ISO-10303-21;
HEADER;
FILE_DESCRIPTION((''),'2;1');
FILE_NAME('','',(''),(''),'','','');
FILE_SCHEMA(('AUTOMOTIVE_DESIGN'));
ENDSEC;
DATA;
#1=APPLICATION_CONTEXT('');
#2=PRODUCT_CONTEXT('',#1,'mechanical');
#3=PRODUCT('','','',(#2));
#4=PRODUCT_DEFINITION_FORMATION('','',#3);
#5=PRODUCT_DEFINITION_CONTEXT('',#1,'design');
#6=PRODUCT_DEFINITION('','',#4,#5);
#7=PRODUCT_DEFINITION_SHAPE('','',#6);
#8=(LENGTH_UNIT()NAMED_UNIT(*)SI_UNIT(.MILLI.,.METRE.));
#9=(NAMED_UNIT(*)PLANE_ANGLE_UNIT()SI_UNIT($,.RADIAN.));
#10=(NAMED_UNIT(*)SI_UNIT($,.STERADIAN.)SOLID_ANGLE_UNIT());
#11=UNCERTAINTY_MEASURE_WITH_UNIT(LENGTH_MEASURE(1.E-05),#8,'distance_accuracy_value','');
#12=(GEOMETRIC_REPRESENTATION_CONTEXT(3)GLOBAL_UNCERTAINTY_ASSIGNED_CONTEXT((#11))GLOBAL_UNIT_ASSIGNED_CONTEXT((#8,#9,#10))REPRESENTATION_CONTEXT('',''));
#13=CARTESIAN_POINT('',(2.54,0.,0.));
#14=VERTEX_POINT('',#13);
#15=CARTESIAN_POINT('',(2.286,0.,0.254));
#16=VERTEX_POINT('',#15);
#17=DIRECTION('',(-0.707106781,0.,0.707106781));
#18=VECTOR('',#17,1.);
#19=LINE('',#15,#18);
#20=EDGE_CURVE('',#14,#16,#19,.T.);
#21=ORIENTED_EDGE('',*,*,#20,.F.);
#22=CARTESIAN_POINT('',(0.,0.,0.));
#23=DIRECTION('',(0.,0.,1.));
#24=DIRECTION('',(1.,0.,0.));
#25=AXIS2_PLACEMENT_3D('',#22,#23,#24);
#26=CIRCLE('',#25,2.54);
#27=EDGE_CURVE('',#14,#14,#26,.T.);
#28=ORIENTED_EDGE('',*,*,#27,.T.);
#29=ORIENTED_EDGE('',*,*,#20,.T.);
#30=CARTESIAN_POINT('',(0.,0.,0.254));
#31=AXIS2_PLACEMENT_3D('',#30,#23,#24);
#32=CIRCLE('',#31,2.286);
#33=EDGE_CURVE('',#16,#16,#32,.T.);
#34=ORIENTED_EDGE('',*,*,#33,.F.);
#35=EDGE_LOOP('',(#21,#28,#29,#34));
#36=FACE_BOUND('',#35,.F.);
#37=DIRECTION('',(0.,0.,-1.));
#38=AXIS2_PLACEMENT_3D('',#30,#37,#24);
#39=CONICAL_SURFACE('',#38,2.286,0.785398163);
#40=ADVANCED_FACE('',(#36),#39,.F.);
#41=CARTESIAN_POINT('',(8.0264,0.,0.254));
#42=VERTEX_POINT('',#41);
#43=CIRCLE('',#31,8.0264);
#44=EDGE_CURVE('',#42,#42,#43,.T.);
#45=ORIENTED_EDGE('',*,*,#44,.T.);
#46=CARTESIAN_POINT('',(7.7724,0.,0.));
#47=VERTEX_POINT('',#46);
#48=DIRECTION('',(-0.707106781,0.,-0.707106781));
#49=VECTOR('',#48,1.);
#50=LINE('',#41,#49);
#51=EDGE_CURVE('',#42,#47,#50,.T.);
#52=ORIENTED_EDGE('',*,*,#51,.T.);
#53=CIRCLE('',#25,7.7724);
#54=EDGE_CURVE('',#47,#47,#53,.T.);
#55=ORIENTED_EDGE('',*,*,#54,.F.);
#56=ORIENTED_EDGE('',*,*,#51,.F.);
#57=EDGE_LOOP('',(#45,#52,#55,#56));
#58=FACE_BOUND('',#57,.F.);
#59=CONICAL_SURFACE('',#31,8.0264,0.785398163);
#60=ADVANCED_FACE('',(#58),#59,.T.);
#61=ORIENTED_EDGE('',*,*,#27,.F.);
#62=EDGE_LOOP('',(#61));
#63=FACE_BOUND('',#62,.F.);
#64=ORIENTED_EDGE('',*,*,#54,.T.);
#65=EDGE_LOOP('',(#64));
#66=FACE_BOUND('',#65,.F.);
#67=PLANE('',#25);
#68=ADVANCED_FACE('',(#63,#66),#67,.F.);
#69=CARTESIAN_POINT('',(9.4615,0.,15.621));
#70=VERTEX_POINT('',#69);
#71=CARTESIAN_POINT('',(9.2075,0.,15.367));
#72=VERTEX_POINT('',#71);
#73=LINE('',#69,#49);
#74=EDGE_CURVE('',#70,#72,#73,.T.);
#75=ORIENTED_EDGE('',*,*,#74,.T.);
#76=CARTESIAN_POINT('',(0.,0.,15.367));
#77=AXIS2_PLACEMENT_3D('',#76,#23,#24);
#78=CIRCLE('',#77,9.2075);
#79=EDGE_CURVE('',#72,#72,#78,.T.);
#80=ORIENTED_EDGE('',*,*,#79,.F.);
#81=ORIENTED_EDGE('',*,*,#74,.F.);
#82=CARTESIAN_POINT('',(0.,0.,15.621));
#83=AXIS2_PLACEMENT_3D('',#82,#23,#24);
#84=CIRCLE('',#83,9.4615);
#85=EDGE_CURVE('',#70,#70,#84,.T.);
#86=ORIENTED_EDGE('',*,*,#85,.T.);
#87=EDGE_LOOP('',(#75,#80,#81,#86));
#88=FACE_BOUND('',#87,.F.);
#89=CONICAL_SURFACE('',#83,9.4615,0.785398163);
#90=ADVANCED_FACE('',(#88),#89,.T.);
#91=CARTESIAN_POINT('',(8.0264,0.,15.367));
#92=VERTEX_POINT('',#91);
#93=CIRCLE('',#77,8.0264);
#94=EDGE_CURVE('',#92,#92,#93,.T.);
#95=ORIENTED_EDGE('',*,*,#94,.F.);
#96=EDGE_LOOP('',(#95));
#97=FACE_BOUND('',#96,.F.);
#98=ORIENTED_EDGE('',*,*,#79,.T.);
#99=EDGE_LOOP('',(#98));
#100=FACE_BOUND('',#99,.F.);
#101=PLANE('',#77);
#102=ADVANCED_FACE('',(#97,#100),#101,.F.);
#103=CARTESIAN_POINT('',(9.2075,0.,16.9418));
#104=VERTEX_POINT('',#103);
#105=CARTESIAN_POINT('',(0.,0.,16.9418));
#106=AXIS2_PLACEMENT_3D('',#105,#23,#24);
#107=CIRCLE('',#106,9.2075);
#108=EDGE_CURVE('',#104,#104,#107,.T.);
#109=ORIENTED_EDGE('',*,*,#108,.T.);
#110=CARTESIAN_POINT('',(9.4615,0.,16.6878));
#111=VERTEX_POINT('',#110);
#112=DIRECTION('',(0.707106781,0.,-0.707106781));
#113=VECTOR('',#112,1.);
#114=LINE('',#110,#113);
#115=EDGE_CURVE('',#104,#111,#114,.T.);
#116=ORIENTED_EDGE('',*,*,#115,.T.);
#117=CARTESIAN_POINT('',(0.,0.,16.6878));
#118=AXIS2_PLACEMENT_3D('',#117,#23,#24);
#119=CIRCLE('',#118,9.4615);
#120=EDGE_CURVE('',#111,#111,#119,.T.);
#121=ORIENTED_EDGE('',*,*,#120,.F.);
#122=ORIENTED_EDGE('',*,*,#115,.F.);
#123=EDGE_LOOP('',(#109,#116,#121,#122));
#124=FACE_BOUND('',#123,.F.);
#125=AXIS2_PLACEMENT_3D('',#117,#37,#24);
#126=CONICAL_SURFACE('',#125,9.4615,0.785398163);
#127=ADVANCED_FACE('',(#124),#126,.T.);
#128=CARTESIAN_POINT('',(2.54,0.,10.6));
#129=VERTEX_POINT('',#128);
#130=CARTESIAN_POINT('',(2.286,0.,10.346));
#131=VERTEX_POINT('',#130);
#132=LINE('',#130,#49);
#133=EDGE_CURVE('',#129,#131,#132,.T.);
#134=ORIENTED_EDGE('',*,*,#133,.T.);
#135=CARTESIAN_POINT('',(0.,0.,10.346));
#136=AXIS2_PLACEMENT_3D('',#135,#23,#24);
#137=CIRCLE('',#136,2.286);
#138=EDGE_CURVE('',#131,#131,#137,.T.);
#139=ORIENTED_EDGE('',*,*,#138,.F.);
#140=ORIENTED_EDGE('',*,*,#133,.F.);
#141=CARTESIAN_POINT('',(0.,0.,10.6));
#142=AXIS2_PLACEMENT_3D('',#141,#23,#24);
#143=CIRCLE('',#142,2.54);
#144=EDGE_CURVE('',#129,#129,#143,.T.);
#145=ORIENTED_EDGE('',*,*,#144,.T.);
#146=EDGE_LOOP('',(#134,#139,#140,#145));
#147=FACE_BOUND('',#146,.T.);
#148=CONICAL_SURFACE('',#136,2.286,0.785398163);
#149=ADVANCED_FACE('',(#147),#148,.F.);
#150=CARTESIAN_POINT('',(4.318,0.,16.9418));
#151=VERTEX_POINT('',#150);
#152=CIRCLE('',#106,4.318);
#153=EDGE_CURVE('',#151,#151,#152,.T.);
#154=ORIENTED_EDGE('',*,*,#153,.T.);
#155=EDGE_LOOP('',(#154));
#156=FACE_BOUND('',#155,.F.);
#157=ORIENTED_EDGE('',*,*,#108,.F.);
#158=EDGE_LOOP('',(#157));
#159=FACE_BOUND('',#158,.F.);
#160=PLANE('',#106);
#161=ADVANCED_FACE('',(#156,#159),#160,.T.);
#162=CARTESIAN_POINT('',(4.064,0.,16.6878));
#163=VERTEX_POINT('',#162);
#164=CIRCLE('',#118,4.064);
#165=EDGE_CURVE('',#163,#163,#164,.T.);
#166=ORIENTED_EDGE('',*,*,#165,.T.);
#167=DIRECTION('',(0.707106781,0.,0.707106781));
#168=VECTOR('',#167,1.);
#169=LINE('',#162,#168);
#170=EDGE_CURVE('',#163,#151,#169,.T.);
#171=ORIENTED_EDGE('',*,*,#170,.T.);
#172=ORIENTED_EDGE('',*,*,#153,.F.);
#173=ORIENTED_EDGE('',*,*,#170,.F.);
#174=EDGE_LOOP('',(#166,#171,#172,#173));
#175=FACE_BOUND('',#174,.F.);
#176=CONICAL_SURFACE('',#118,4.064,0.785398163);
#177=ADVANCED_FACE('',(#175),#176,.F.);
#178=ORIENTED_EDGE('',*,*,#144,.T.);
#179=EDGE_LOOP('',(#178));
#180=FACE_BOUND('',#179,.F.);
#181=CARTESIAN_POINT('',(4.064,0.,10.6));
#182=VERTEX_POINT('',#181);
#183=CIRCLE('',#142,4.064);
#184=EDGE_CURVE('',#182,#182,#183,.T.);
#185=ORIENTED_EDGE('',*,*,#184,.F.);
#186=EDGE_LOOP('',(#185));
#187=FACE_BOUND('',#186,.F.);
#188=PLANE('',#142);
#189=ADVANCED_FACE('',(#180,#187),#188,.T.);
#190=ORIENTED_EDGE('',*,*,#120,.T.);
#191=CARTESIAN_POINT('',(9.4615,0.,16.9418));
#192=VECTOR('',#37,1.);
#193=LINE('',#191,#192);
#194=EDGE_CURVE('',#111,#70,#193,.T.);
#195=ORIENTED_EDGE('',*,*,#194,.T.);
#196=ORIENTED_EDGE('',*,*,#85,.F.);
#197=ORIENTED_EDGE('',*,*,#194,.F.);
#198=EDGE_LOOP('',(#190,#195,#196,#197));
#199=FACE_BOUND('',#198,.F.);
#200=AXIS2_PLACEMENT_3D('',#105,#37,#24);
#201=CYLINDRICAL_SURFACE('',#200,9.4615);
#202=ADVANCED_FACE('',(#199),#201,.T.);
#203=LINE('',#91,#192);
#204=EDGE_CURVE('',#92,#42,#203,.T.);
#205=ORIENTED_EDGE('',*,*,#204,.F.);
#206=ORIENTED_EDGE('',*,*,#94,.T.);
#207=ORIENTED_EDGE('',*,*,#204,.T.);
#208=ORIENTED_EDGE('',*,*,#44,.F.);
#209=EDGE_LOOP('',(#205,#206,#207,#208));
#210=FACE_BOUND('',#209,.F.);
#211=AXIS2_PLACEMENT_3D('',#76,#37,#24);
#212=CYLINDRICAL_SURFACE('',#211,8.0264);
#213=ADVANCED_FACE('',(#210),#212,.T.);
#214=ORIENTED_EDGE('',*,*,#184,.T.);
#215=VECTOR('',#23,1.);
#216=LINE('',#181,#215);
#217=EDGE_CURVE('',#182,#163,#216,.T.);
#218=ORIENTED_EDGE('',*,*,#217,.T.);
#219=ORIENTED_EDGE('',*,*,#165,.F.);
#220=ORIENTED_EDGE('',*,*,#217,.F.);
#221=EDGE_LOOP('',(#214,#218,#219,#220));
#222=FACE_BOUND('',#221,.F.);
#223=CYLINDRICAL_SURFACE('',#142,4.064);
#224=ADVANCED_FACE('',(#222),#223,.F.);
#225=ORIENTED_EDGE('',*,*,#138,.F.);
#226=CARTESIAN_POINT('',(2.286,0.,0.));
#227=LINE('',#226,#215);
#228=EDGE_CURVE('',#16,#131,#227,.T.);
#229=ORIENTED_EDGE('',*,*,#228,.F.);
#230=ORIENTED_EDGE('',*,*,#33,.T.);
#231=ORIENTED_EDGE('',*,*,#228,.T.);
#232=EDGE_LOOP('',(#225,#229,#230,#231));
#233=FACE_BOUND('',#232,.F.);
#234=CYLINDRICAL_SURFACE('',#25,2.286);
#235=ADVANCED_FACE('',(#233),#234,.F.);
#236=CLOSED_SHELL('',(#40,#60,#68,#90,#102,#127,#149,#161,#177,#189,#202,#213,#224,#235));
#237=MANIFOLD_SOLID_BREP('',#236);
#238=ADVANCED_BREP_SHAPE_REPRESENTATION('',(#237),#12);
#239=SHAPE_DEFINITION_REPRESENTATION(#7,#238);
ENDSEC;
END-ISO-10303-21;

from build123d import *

# Parameters (mm, degrees)
CHAMFER1_SIZE = 0.254


with BuildPart() as part:
    # Sketch1 → Revolve1 (revolve)
    with BuildSketch(Plane(origin=(0, 0, 0), x_dir=(1, 0, 0), z_dir=(0, 1, 0))):
        Polygon((2.286, -10.6), (4.064, -10.6), (4.064, -16.9418), (9.4615, -16.9418), (9.4615, -15.367), (8.0264, -15.367), (8.0264, 0), (2.286, 0), align=None)
    revolve(axis=Axis((0, 0, 0), (0, 0, 1)))

    # Chamfer1
    chamfer1_edges = [part.edges().sort_by_distance(p)[0] for p in [
        (-2.286, 0, 0),
        (-8.0264, 0, 0),
        (-9.4615, 0, 15.367),
        (-9.4615, 0, 16.9418),
        (-4.064, 0, 16.9418),
        (-2.286, 0, 10.6),
    ]]
    chamfer(chamfer1_edges, length=CHAMFER1_SIZE)


solid = part.part
